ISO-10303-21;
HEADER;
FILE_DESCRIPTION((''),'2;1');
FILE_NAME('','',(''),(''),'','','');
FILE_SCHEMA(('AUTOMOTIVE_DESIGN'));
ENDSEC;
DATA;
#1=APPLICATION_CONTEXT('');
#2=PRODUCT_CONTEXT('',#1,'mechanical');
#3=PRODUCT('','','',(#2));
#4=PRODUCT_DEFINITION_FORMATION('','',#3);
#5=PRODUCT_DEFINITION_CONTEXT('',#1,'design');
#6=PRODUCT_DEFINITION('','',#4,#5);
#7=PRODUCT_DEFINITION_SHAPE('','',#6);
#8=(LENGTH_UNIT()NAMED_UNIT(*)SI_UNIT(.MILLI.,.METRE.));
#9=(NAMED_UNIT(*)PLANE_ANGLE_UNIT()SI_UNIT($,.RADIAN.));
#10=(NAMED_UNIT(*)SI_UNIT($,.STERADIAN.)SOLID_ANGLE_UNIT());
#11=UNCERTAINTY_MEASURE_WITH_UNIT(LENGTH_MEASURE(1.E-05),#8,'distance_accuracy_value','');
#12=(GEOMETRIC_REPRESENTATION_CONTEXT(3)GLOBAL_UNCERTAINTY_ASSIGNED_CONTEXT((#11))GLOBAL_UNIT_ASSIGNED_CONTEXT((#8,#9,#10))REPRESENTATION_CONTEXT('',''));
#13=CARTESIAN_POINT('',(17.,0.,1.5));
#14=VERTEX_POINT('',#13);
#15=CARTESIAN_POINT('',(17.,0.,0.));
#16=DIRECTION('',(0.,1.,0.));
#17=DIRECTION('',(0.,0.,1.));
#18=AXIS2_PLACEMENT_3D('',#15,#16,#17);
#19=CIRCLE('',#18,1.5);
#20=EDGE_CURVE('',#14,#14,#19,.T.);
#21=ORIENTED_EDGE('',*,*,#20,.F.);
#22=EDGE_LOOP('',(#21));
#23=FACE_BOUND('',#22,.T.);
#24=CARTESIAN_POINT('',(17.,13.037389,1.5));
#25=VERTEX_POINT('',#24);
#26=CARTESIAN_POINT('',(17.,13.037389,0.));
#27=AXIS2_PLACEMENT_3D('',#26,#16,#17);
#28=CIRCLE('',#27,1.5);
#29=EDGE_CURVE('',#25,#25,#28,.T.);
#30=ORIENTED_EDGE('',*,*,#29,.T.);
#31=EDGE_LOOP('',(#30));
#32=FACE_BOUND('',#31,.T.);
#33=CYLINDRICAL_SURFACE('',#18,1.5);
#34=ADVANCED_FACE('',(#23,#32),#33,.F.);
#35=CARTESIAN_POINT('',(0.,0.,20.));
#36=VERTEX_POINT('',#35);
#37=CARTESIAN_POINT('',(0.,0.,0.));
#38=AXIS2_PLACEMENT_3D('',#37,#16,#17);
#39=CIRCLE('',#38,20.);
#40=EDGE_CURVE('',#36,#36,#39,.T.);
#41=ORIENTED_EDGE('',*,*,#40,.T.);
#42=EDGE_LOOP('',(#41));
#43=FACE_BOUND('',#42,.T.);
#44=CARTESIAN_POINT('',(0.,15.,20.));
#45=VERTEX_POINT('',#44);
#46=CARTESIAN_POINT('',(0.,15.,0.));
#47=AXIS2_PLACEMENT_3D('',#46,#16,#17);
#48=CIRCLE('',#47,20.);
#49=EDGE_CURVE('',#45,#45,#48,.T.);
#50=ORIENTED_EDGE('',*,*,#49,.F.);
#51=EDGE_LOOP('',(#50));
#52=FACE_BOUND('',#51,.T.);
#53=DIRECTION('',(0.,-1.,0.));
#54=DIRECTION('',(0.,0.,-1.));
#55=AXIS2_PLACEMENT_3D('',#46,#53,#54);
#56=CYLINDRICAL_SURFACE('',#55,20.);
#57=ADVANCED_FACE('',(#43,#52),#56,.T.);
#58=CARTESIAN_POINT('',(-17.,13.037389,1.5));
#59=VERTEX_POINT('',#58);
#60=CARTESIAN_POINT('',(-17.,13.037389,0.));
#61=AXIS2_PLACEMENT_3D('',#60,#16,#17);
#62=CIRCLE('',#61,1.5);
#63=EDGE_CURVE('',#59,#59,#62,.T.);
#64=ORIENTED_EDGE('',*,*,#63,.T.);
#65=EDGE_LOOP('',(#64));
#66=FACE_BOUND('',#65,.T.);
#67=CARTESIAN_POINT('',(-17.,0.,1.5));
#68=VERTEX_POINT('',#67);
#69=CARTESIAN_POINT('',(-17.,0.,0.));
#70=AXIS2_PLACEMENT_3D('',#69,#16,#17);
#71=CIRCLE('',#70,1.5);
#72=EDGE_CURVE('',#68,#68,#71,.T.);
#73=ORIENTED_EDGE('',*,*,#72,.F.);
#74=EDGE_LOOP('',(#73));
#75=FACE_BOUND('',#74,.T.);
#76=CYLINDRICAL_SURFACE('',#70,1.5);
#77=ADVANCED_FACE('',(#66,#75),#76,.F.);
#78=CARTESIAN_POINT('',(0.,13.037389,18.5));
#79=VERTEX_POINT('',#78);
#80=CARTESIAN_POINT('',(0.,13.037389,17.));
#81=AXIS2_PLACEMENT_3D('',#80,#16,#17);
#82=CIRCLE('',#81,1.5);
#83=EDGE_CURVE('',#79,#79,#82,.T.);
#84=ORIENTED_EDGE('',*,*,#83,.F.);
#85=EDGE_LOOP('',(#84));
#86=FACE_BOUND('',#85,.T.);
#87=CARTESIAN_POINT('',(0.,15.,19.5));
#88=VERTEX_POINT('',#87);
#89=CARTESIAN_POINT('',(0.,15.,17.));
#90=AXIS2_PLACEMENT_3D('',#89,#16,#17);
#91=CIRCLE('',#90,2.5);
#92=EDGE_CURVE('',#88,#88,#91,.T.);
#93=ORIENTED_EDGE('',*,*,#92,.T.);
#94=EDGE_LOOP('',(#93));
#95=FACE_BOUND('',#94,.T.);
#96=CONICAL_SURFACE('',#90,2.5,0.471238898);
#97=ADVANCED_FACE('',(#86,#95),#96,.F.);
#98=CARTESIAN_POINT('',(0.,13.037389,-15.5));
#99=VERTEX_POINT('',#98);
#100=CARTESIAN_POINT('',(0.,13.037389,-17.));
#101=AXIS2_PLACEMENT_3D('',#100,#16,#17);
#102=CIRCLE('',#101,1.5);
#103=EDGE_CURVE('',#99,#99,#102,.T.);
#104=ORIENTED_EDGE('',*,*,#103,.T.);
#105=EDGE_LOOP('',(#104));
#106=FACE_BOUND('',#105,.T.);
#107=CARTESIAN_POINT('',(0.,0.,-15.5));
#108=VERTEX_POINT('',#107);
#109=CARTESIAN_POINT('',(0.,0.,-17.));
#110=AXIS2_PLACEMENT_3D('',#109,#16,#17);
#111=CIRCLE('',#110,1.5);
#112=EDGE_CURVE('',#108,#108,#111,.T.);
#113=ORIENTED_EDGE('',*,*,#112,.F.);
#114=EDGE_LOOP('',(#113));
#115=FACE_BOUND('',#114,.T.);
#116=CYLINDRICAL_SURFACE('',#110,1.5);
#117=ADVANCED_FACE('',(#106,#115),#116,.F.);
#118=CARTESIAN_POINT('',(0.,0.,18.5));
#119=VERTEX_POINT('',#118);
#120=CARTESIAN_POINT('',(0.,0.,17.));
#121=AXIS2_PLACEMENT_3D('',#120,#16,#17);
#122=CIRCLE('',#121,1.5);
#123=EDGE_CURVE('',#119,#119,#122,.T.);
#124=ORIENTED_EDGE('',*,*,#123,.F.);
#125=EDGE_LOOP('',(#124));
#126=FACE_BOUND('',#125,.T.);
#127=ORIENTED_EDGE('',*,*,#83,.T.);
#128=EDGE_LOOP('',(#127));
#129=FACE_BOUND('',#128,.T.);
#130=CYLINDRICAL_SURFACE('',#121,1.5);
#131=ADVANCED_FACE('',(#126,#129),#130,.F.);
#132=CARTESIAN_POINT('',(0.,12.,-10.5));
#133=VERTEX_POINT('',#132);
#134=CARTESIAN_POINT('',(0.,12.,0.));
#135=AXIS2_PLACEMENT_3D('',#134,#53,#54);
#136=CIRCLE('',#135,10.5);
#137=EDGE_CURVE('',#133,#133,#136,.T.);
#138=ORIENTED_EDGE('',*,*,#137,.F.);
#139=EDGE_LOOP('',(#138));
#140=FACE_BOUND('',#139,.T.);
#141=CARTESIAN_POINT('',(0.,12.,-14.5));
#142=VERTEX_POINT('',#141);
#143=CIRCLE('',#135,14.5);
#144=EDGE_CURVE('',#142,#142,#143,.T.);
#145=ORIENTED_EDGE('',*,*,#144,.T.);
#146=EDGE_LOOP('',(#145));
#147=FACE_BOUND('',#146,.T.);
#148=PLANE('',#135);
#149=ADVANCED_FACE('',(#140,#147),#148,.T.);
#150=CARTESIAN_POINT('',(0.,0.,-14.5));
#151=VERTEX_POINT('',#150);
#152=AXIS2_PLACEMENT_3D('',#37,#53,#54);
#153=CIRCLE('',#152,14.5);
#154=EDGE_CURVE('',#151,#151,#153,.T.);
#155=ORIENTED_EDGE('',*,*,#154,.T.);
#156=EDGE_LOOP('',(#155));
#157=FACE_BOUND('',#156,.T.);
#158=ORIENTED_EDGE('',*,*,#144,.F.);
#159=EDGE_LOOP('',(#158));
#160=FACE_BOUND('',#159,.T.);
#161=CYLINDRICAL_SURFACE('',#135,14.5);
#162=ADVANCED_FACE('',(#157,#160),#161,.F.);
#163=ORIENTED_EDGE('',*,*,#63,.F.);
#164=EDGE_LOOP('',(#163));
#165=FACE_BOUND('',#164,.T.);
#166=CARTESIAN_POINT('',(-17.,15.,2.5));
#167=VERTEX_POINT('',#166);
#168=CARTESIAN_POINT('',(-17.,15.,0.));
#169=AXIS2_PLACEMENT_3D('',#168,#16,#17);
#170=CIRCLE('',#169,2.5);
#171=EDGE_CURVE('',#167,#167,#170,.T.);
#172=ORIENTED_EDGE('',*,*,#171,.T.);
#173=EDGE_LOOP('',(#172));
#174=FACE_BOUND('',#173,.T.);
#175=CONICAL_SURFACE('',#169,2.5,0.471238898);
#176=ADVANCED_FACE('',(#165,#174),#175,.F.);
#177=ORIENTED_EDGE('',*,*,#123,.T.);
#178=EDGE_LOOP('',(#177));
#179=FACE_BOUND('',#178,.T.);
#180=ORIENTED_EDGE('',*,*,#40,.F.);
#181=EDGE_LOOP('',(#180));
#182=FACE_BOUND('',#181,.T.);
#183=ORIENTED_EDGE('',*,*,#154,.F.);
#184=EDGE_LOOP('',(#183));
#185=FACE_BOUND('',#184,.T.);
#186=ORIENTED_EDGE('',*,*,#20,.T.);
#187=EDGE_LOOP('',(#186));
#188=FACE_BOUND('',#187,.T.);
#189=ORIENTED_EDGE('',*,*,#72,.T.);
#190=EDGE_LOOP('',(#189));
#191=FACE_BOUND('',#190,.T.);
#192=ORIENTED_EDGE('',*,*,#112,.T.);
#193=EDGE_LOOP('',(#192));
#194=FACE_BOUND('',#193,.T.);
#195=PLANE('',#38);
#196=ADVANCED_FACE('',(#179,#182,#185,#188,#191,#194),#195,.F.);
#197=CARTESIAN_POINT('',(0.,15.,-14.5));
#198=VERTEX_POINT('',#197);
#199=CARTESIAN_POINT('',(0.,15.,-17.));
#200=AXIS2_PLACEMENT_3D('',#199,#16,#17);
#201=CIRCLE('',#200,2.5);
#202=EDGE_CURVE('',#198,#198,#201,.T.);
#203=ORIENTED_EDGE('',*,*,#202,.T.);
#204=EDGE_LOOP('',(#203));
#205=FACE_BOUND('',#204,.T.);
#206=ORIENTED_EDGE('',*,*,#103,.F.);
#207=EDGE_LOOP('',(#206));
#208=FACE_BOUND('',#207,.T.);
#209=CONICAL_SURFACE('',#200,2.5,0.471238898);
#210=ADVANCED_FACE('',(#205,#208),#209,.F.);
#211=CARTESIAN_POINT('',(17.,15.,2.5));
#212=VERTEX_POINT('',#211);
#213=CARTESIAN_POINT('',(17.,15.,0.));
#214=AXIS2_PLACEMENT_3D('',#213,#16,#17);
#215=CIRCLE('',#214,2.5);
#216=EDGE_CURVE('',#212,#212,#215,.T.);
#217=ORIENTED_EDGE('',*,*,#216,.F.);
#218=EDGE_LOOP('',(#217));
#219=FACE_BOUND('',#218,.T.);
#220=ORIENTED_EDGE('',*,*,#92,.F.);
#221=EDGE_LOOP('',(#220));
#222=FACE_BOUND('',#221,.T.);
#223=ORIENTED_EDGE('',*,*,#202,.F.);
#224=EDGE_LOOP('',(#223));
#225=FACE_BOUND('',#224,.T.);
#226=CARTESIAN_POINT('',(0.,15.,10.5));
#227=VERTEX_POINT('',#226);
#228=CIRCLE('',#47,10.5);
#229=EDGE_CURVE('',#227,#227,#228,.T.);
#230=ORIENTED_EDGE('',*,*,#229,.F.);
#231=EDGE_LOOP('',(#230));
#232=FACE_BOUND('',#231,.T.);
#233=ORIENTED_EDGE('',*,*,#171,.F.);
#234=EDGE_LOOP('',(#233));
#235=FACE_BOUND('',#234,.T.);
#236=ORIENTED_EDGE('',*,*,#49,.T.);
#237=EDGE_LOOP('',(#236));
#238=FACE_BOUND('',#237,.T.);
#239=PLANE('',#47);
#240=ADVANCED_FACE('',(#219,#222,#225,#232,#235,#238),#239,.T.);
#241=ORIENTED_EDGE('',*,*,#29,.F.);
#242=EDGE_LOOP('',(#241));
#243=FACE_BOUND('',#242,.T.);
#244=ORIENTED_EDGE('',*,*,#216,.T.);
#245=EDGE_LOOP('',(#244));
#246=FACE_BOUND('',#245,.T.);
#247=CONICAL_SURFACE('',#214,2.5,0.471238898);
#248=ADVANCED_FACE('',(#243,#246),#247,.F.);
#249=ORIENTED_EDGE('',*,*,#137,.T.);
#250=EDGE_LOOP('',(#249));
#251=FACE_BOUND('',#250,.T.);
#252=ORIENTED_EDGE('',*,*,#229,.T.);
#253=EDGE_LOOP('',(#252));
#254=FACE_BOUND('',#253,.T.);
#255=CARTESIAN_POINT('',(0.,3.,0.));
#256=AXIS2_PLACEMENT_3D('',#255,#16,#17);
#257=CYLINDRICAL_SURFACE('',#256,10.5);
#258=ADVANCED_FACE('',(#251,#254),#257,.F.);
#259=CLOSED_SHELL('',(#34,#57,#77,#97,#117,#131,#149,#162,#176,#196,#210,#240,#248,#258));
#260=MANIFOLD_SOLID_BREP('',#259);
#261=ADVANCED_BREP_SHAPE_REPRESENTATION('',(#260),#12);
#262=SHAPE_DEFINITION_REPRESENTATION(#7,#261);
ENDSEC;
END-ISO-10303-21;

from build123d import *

# Parameters (mm, degrees)
SKETCH1_R                    = 20
BOSS_EXTRUDE1_DEPTH          = 15
SKETCH4_R                    = 14.5
CUT_EXTRUDE3_DEPTH           = 12
SKETCH5_R                    = 10.5
CUT_EXTRUDE4_DEPTH           = 12
SKETCH6_R                    = 1.5
CUT_EXTRUDE5_DEPTH           = 33.015621187
SKETCH7_R                    = 2.5
CUT_EXTRUDE7_DEPTH           = 2
CUT_EXTRUDE7_DRAFT           = -27
CUT_EXTRUDE7_PROFILE_2_DEPTH = 2
CUT_EXTRUDE7_PROFILE_2_DRAFT = -27
CUT_EXTRUDE7_PROFILE_3_DEPTH = 2
CUT_EXTRUDE7_PROFILE_3_DRAFT = -27
CUT_EXTRUDE7_PROFILE_4_DEPTH = 2
CUT_EXTRUDE7_PROFILE_4_DRAFT = -27


with BuildPart() as part:
    # Sketch1 → Boss-Extrude1 (new body)
    with BuildSketch(Plane(origin=(0, 0, 0), x_dir=(1, 0, 0), z_dir=(0, 1, 0))):
        with Locations(Location((0, 0, 0), (0, 0, 270))):
            Circle(SKETCH1_R)
    extrude(amount=BOSS_EXTRUDE1_DEPTH)

    # Sketch4 → Cut-Extrude3 (cut)
    with BuildSketch(Plane.XZ):
        with Locations(Location((0, 0, 0), (0, 0, 270))):
            Circle(SKETCH4_R)
    extrude(amount=-CUT_EXTRUDE3_DEPTH, mode=Mode.SUBTRACT)

    # Sketch5 → Cut-Extrude4 (cut)
    with BuildSketch(Plane(origin=(0, 15, 0), x_dir=(1, 0, 0), z_dir=(0, 1, 0))):
        with Locations(Location((0, 0, 0), (0, 0, 270))):
            Circle(SKETCH5_R)
    extrude(amount=-CUT_EXTRUDE4_DEPTH, mode=Mode.SUBTRACT)

    # Sketch6 → Cut-Extrude5 (cut, through all)
    with BuildSketch(Plane(origin=(0, 15, 0), x_dir=(1, 0, 0), z_dir=(0, 1, 0))):
        with Locations(Location((0, 17, 0), (0, 0, 270))):
            Circle(SKETCH6_R)
        with Locations(Location((17, 0, 0), (0, 0, 270))):
            Circle(SKETCH6_R)
        with Locations(Location((0, -17, 0), (0, 0, 270))):
            Circle(SKETCH6_R)
        with Locations(Location((-17, 0, 0), (0, 0, 270))):
            Circle(SKETCH6_R)
    extrude(amount=-CUT_EXTRUDE5_DEPTH, mode=Mode.SUBTRACT)


with BuildPart() as cut_extrude7_tool:
    # Sketch7 → Cut-Extrude7 (with draft: the straight prism first)
    with BuildSketch(Plane(origin=(0, 15, 0), x_dir=(1, 0, 0), z_dir=(0, 1, 0))):
        with Locations((0, 17)):
            Circle(SKETCH7_R)
    extrude(amount=-CUT_EXTRUDE7_DEPTH)
    # Cut-Extrude7: the draft: its side faces are tilted about the plane it starts from
    cut_extrude7_sides = [cut_extrude7_tool.faces().sort_by_distance(p)[0] for p in [
        (-2.5, 14, -17),
    ]]
    draft(cut_extrude7_sides, Plane(origin=(0, 15, 0), x_dir=(1, 0, 0), z_dir=(0, 1, 0)), CUT_EXTRUDE7_DRAFT)


with BuildPart() as part_1:
    add(part.part)

    # Cut-Extrude7: cut by cut_extrude7_tool
    add(cut_extrude7_tool.part, mode=Mode.SUBTRACT)


with BuildPart() as cut_extrude7_profile_2_tool:
    # Sketch7 → Cut-Extrude7 profile 2 (with draft: the straight prism first)
    with BuildSketch(Plane(origin=(0, 15, 0), x_dir=(1, 0, 0), z_dir=(0, 1, 0))):
        with Locations((17, 0)):
            Circle(SKETCH7_R)
    extrude(amount=-CUT_EXTRUDE7_PROFILE_2_DEPTH)
    # Cut-Extrude7 profile 2: the draft: its side faces are tilted about the plane it starts from
    cut_extrude7_profile_2_sides = [cut_extrude7_profile_2_tool.faces().sort_by_distance(p)[0] for p in [
        (14.5, 14, 0),
    ]]
    draft(cut_extrude7_profile_2_sides, Plane(origin=(0, 15, 0), x_dir=(1, 0, 0), z_dir=(0, 1, 0)), CUT_EXTRUDE7_PROFILE_2_DRAFT)


with BuildPart() as part_2:
    add(part_1.part)

    # Cut-Extrude7 profile 2: cut by cut_extrude7_profile_2_tool
    add(cut_extrude7_profile_2_tool.part, mode=Mode.SUBTRACT)


with BuildPart() as cut_extrude7_profile_3_tool:
    # Sketch7 → Cut-Extrude7 profile 3 (with draft: the straight prism first)
    with BuildSketch(Plane(origin=(0, 15, 0), x_dir=(1, 0, 0), z_dir=(0, 1, 0))):
        with Locations((0, -17)):
            Circle(SKETCH7_R)
    extrude(amount=-CUT_EXTRUDE7_PROFILE_3_DEPTH)
    # Cut-Extrude7 profile 3: the draft: its side faces are tilted about the plane it starts from
    cut_extrude7_profile_3_sides = [cut_extrude7_profile_3_tool.faces().sort_by_distance(p)[0] for p in [
        (-2.5, 14, 17),
    ]]
    draft(cut_extrude7_profile_3_sides, Plane(origin=(0, 15, 0), x_dir=(1, 0, 0), z_dir=(0, 1, 0)), CUT_EXTRUDE7_PROFILE_3_DRAFT)


with BuildPart() as part_3:
    add(part_2.part)

    # Cut-Extrude7 profile 3: cut by cut_extrude7_profile_3_tool
    add(cut_extrude7_profile_3_tool.part, mode=Mode.SUBTRACT)


with BuildPart() as cut_extrude7_profile_4_tool:
    # Sketch7 → Cut-Extrude7 profile 4 (with draft: the straight prism first)
    with BuildSketch(Plane(origin=(0, 15, 0), x_dir=(1, 0, 0), z_dir=(0, 1, 0))):
        with Locations((-17, 0)):
            Circle(SKETCH7_R)
    extrude(amount=-CUT_EXTRUDE7_PROFILE_4_DEPTH)
    # Cut-Extrude7 profile 4: the draft: its side faces are tilted about the plane it starts from
    cut_extrude7_profile_4_sides = [cut_extrude7_profile_4_tool.faces().sort_by_distance(p)[0] for p in [
        (-19.5, 14, 0),
    ]]
    draft(cut_extrude7_profile_4_sides, Plane(origin=(0, 15, 0), x_dir=(1, 0, 0), z_dir=(0, 1, 0)), CUT_EXTRUDE7_PROFILE_4_DRAFT)


with BuildPart() as part_4:
    add(part_3.part)

    # Cut-Extrude7 profile 4: cut by cut_extrude7_profile_4_tool
    add(cut_extrude7_profile_4_tool.part, mode=Mode.SUBTRACT)


solid = part_4.part
